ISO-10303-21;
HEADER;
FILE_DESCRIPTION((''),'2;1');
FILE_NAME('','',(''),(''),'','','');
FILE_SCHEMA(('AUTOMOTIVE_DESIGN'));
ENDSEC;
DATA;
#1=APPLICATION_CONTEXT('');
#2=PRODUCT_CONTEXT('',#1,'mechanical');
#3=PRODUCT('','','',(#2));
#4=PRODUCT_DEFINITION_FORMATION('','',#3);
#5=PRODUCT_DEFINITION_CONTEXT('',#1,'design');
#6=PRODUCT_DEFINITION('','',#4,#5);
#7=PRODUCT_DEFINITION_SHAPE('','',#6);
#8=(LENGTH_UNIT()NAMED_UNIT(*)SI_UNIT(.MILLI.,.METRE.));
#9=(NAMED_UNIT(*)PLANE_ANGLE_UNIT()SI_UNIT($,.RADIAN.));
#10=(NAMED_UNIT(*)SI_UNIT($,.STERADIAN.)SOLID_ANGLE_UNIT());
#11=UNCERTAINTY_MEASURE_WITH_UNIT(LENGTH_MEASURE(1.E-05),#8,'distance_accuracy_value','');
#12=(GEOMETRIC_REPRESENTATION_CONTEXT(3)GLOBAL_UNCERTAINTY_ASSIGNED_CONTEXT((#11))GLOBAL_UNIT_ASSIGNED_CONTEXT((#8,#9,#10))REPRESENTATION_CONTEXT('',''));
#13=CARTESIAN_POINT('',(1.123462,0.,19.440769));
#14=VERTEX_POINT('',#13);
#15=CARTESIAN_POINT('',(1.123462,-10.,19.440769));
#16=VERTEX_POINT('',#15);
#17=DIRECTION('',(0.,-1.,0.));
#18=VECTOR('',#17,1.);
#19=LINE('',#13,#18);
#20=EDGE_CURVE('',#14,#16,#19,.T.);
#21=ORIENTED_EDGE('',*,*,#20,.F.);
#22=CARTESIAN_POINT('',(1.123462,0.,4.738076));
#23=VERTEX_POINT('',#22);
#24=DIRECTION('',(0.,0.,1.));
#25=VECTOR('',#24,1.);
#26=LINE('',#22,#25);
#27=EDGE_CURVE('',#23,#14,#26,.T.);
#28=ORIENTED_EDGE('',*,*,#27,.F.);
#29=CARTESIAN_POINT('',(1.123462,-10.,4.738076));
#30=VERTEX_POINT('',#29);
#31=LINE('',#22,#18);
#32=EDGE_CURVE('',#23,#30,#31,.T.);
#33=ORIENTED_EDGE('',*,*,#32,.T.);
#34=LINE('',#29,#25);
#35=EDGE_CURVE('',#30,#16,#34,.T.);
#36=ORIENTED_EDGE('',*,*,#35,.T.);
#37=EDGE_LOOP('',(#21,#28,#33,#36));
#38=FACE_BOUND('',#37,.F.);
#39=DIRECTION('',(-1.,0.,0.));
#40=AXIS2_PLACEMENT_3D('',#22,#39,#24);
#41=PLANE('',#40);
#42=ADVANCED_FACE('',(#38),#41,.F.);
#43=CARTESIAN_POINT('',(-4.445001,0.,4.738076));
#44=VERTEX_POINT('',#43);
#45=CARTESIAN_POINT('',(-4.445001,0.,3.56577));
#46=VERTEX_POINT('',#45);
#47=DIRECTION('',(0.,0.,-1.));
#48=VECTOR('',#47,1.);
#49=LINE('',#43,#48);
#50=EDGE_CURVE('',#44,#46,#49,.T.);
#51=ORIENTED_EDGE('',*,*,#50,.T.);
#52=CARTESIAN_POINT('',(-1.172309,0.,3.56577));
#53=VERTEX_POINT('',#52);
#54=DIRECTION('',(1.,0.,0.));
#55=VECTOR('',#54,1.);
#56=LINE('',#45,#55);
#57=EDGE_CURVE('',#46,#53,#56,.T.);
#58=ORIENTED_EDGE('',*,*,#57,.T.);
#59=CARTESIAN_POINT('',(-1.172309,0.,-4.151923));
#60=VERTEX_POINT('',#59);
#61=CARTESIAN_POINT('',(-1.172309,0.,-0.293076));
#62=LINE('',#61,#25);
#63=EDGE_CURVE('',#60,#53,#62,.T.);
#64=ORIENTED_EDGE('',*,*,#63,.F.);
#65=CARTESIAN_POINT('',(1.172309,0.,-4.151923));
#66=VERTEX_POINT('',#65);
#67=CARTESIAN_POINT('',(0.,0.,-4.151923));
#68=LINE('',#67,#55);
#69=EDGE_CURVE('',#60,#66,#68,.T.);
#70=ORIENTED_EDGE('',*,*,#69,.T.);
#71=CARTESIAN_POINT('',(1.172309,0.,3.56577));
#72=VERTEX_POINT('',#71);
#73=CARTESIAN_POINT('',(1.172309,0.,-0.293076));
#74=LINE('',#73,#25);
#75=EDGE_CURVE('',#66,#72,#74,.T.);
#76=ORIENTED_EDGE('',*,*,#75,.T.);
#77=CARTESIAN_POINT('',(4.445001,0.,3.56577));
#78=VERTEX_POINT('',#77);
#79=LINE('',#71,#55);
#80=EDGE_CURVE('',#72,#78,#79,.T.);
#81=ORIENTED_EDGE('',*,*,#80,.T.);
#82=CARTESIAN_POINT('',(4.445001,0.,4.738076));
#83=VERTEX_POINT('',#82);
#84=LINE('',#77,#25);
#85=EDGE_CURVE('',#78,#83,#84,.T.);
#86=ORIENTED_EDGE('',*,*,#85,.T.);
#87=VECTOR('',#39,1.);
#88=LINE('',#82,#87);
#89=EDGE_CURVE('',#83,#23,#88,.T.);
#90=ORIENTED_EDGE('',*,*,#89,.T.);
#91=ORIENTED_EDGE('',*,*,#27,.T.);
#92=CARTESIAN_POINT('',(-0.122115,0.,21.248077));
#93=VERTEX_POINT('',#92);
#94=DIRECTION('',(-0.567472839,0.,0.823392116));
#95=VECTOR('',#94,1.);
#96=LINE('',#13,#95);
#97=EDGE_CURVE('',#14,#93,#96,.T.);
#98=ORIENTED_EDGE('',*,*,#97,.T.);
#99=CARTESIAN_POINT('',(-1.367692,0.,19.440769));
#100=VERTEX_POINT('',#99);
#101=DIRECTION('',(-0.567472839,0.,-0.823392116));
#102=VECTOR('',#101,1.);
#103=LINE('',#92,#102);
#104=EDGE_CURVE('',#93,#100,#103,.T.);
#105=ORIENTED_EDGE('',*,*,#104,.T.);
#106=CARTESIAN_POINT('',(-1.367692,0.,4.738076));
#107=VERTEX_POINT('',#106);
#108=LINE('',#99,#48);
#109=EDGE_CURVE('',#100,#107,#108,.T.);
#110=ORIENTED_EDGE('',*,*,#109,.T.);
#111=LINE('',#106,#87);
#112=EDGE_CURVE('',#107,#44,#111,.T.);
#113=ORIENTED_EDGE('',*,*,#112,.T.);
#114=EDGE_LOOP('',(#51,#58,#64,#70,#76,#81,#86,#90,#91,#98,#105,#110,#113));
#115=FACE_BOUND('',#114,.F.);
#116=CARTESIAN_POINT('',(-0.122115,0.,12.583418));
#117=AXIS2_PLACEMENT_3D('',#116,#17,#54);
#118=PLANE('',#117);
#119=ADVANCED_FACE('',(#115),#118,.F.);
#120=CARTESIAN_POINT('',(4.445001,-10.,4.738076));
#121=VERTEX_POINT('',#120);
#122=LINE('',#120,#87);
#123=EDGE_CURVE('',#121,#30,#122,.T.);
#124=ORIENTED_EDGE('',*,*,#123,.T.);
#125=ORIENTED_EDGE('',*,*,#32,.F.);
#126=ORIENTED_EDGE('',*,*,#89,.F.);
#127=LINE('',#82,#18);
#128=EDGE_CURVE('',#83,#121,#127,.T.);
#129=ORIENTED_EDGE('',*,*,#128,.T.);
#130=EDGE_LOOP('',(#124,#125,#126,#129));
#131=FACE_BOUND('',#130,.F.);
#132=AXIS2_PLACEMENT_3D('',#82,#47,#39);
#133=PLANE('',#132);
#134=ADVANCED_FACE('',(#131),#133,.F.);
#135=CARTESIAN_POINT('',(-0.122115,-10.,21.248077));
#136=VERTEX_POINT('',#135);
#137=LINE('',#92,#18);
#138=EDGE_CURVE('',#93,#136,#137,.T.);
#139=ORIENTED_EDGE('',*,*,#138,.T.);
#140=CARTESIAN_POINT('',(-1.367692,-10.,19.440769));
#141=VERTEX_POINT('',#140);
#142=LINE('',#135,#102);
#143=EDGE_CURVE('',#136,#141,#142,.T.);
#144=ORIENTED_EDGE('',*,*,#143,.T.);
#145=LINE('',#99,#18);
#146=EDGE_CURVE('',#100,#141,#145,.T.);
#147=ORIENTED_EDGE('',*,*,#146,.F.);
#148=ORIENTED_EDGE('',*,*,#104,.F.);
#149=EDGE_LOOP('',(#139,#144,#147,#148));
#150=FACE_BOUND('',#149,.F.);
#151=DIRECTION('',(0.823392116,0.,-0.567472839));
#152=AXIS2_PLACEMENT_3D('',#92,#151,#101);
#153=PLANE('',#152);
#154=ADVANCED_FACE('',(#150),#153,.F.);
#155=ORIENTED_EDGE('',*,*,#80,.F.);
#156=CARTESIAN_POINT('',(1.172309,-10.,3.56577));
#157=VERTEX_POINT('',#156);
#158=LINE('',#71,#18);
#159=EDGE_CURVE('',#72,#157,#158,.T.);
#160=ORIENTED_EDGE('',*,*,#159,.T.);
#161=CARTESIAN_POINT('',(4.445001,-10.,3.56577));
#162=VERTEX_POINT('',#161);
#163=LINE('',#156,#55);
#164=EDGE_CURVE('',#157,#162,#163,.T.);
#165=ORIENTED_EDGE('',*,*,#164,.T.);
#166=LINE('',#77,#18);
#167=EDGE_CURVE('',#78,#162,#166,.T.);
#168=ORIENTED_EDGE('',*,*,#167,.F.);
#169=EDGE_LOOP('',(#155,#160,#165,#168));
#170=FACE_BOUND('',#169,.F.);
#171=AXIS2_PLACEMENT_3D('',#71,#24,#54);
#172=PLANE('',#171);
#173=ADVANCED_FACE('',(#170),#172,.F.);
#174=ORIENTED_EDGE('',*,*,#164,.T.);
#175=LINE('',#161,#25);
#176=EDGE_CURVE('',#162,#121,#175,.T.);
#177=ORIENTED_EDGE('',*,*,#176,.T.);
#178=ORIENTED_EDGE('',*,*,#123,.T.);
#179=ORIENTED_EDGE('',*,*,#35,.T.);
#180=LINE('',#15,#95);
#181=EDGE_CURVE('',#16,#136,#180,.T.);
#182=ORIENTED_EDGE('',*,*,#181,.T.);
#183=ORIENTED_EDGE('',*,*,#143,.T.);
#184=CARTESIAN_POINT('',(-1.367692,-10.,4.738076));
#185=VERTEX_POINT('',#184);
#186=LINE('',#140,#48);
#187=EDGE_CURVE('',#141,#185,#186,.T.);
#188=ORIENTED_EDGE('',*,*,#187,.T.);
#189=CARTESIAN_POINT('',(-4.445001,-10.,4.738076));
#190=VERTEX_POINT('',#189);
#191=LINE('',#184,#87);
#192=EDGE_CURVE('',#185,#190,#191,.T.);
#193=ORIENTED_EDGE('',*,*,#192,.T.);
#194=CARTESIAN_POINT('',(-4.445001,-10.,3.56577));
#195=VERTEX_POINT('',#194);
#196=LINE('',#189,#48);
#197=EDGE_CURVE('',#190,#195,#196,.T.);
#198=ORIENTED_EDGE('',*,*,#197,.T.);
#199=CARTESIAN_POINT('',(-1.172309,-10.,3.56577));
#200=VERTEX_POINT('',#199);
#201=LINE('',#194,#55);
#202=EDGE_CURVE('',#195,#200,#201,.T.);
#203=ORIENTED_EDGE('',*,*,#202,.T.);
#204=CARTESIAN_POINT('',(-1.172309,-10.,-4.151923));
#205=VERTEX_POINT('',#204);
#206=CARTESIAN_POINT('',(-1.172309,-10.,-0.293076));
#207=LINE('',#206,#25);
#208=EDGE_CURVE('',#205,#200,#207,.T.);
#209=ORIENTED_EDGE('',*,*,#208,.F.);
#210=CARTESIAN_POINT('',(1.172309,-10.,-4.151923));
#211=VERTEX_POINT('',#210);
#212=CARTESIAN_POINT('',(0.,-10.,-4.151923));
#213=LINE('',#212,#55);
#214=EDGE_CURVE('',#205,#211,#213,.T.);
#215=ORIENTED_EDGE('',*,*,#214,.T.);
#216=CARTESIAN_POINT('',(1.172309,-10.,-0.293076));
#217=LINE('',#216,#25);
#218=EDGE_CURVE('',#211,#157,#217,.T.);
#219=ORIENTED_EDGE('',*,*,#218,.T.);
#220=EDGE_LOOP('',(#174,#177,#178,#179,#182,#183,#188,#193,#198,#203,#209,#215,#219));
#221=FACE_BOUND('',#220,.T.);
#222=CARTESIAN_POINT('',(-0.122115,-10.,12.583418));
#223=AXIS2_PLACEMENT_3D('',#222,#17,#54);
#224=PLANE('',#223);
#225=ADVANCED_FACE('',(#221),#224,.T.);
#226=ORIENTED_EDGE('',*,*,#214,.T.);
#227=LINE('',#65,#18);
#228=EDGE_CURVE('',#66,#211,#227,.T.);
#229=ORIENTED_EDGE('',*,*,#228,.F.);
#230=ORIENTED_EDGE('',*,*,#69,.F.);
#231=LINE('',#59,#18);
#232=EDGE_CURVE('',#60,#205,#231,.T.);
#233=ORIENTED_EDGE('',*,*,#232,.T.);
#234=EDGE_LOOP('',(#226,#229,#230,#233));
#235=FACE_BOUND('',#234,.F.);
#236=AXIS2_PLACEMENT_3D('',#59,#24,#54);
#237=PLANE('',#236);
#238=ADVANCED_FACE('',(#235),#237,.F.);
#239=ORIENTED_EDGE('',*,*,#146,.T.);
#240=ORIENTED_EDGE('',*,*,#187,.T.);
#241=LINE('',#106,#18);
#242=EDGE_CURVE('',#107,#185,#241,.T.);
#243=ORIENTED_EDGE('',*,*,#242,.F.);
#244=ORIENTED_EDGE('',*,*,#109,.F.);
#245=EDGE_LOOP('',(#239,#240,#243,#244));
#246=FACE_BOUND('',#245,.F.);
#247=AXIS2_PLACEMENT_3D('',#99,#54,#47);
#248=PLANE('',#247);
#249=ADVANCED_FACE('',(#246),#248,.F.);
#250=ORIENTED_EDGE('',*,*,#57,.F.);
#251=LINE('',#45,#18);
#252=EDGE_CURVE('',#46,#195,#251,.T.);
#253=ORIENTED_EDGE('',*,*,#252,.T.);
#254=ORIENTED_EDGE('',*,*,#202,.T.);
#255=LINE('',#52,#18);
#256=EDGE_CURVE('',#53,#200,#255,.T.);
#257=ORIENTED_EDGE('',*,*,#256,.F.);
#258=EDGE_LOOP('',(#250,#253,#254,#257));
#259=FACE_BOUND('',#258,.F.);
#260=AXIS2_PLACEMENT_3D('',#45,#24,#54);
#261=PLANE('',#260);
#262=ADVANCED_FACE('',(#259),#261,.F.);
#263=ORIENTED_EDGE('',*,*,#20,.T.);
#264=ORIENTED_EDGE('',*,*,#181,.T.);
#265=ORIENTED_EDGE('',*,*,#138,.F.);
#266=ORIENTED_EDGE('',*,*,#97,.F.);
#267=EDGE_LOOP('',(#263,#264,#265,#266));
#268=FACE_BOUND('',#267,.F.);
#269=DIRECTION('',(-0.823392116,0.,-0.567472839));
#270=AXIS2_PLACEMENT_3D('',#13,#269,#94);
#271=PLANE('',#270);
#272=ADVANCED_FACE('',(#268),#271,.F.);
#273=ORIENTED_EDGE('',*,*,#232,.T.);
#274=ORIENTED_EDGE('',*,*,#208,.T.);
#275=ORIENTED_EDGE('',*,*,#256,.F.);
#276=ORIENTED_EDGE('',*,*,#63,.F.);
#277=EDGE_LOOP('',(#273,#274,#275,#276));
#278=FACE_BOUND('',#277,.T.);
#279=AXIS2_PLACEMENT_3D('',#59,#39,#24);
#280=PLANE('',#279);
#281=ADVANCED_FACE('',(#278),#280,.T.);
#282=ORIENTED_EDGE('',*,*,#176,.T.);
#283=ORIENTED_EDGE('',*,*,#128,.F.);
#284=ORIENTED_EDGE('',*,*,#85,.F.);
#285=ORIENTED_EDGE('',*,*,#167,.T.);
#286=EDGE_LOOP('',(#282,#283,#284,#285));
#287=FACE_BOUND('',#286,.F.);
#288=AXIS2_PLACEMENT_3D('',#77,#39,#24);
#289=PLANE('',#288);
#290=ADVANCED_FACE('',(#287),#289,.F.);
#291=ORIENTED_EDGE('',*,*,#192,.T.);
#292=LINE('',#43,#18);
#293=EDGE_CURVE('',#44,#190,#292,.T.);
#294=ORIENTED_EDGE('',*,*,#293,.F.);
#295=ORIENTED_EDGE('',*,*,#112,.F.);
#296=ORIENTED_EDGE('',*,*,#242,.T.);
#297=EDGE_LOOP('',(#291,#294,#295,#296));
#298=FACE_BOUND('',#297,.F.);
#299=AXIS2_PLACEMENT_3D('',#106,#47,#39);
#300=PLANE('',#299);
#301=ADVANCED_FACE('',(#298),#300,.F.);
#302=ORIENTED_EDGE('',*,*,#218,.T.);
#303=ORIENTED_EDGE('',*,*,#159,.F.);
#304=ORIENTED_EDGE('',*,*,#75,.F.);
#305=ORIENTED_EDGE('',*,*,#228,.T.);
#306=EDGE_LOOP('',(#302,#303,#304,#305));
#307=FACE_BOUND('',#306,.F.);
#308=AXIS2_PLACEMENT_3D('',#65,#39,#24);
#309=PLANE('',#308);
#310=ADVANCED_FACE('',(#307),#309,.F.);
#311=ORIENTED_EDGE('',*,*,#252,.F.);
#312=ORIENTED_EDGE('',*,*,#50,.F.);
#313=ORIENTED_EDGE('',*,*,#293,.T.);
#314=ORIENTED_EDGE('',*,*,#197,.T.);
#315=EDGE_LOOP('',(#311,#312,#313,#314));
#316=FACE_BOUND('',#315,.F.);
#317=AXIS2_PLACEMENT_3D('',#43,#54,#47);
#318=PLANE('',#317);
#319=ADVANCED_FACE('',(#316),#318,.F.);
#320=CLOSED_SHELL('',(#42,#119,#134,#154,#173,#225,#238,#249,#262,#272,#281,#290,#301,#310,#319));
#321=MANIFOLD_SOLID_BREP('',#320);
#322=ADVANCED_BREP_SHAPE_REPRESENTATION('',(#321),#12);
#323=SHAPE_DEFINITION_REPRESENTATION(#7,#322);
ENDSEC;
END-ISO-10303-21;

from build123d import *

# Parameters (mm, degrees)
F0_W     = 2.344617017
F0_H     = 7.7176926169
F0_H_2   = 0.5861528073
F1_DEPTH = 10


with BuildPart() as f1:
    # F0 (on Front) → F1 (new body)
    with BuildSketch(Plane.XZ):
        Polygon((0, 4.7380755195), (1.1234623608, 4.7380755195), (1.1234623608, 19.4407690205), (-0.1221147261, 21.2480772879), (-1.367691813, 19.4407690205), (-1.367691813, 4.7380755195), align=None)
        Polygon((1.1723085085, 4.1519227121), (1.1723085085, 3.5657699048), (4.4450012058, 3.5657699048), (4.4450012058, 4.7380755195), (1.1234623608, 4.7380755195), (0, 4.7380755195), (-1.367691813, 4.7380755195), (-4.4450012058, 4.7380755195), (-4.4450012058, 3.5657699048), (-1.1723085085, 3.5657699048), (-1.1723085085, 4.1519227121), align=None)
        with Locations((0, -0.2930764037)):
            Rectangle(F0_W, F0_H)
        with Locations((0, 3.8588463084)):
            Rectangle(F0_W, F0_H_2)
    extrude(amount=F1_DEPTH)


solid = f1.part
